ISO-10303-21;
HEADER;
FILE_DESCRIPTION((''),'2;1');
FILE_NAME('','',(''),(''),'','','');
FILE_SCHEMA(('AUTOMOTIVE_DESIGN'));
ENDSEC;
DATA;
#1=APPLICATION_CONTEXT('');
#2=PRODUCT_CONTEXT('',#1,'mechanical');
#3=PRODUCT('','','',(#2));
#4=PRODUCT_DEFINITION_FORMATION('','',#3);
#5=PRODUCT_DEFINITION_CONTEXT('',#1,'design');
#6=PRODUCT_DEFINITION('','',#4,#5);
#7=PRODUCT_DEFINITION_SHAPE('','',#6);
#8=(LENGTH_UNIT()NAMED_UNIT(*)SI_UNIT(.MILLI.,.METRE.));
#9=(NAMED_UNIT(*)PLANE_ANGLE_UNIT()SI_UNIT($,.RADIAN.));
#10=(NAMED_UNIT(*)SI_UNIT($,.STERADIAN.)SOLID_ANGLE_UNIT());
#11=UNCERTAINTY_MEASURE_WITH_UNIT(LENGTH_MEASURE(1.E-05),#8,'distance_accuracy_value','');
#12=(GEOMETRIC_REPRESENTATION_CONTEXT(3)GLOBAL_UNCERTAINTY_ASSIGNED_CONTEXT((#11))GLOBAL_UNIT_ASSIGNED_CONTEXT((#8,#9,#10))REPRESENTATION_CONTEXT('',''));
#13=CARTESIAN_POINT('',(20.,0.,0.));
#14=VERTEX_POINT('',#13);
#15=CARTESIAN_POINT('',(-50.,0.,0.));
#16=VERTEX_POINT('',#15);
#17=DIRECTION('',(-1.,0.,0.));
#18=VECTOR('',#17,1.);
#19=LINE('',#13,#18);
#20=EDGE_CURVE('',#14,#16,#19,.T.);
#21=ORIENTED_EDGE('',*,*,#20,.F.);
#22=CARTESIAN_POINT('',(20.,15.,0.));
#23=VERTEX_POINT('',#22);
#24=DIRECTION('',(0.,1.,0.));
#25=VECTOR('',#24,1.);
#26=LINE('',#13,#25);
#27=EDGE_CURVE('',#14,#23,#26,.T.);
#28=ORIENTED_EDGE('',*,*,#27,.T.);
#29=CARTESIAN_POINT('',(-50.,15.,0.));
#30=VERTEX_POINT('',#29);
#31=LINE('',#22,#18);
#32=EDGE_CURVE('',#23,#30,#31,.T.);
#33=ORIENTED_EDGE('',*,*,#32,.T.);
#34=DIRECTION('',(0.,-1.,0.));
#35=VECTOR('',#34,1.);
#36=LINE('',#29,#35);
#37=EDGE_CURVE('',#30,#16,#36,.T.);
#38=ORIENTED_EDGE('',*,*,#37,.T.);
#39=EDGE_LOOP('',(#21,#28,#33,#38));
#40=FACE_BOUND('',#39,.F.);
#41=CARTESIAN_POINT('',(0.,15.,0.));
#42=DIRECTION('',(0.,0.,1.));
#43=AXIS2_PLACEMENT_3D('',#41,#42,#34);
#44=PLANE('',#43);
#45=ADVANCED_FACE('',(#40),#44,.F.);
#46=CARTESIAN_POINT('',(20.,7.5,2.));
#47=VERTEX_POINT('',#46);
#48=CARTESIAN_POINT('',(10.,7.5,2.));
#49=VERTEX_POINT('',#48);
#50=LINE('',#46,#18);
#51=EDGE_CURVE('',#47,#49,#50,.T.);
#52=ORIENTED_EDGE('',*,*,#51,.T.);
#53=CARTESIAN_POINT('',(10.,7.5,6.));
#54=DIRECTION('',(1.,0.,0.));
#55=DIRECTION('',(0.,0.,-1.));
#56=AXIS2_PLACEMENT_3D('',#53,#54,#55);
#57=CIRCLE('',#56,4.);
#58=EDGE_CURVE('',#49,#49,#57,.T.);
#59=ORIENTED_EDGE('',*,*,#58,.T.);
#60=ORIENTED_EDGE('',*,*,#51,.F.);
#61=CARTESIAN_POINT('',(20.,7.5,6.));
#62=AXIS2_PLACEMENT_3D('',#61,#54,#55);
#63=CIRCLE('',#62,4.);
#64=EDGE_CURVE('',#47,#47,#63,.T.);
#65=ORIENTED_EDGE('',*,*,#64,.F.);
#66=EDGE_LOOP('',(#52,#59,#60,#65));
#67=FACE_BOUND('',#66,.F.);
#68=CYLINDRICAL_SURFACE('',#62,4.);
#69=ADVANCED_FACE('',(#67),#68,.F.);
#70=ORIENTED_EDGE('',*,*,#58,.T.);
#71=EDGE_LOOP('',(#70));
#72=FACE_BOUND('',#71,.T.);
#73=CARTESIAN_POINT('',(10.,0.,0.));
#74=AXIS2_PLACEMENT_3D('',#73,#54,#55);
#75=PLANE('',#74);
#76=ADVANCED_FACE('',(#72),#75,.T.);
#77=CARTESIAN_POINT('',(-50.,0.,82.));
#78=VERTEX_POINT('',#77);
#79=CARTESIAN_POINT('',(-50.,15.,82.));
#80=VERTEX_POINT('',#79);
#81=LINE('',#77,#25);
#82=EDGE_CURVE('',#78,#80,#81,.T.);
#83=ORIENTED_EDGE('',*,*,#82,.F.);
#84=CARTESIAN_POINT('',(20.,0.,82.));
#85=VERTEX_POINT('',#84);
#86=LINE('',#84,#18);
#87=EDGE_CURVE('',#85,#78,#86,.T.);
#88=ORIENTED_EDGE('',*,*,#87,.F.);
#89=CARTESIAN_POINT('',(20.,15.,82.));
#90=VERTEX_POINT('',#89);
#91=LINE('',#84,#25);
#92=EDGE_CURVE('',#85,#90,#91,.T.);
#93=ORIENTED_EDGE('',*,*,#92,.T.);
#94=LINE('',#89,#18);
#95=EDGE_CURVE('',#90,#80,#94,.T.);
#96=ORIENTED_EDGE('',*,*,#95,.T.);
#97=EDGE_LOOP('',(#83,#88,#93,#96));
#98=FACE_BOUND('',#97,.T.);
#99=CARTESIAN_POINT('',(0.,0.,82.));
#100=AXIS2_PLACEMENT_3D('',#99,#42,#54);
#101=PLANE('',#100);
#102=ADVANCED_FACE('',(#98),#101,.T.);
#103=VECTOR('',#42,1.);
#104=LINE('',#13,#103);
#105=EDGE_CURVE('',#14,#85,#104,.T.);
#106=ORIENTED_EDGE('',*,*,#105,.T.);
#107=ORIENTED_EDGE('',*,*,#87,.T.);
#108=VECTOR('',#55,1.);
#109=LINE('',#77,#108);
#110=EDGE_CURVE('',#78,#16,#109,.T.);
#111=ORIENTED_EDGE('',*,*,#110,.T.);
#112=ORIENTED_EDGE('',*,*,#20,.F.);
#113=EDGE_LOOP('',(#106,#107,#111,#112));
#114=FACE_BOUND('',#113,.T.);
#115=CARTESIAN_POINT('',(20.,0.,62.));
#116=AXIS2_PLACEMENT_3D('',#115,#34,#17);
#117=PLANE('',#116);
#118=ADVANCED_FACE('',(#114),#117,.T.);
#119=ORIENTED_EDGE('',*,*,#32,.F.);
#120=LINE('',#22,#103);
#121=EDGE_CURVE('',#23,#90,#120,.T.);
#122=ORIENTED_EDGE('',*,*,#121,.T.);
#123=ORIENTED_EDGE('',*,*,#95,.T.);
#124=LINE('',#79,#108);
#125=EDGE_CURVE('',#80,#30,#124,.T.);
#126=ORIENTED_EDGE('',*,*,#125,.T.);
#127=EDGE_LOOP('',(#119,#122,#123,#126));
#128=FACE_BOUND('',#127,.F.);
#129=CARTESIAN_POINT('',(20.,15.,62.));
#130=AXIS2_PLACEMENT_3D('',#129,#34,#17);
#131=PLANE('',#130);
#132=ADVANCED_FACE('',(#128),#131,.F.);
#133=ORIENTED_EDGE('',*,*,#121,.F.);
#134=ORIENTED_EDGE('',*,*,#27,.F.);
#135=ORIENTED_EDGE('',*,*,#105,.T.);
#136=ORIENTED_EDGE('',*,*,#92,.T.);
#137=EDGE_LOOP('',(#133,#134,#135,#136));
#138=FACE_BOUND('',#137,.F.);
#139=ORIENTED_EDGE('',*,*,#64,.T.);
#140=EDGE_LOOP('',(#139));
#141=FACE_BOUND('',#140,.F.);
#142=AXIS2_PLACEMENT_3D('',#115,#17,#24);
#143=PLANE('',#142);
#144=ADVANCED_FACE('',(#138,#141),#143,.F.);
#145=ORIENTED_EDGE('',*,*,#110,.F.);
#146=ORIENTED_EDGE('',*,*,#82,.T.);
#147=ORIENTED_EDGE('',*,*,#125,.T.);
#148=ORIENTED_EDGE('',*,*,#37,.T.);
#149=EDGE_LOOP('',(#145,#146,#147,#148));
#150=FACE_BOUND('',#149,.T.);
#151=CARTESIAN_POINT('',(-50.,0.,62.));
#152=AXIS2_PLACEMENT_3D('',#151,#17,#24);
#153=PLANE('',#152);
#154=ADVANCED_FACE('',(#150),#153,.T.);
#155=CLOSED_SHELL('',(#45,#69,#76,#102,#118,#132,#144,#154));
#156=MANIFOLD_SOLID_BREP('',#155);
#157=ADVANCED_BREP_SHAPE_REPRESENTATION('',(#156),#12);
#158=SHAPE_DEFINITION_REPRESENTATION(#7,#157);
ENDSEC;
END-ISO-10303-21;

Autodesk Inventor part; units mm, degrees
ref_plane "YZ Plane" through (0, 0, 0) normal (1, 0, 0) x (0, 1, 0)
ref_plane "XZ Plane" through (0, 0, 0) normal (0, 1, 0) x (-1, 0, 0)
ref_plane "XY Plane" through (0, 0, 0) normal (0, 0, 1) x (1, 0, 0)
sketch "Sketch1" plane through (0, 0, 0) normal (0, 0, 1) x (1, 0, 0)
  line L0 (0, 0) -> (20, 0)
  line L1 (20, 0) -> (20, 15)
  line L2 (20, 15) -> (0, 15)
  line L3 (0, 15) -> (0, 0)
  dimension "d0" = 20
  dimension "d1" = 15
extrude "Extrusion1" add sketch "Sketch1" along normal blind 12
sketch "Sketch2" plane through (20, 0, 0) normal (1, 0, 0) x (0, 0, -1)
  circle A0 centre (-6, 7.5) radius 4
  point P0 (0, 0)
  dimension "d4" = 8
extrude "Extrusion2" cut sketch "Sketch2" against normal blind 10
sketch "Sketch3" plane through (0, 0, 12) normal (0, 0, 1) x (1, 0, 0)
  line L0 (4.6713, 10.3664) -> (9.2786, 10.3664)
  line L1 (9.2786, 10.3664) -> (9.2786, 7.6788)
  line L2 (9.2786, 7.6788) -> (4.6713, 7.6788)
  line L3 (4.6713, 7.6788) -> (4.6713, 10.3664)
  point P0 (0, 0)
extrude "Extrusion3" add sketch "Sketch3" along normal blind 10
sketch "Sketch4" plane through (0, 0, 12) normal (0, 0, 1) x (1, 0, 0)
  line L0 (20, 0) -> (20, 15) projected
  line L1 (0, 15) -> (0, 0) projected
  line L2 (20, 15) -> (0, 15)
  line L3 (0, 15) -> (0, 0)
  line L4 (0, 0) -> (20, 0)
  line L5 (20, 0) -> (20, 15)
extrude "Extrusion4" add sketch "Sketch4" along normal blind 50
sketch "Sketch5" plane through (0, 0, 0) normal (-1, 0, 0) x (0, 0, 1)
  line L0 (0, 15) -> (62, 15) projected
  line L1 (0, 0) -> (62, 0)
  line L2 (62, 0) -> (62, 15)
  line L3 (62, 15) -> (0, 15)
  line L4 (0, 15) -> (0, 0)
extrude "Extrusion5" add sketch "Sketch5" along normal blind 50
sketch "Sketch6" plane through (0, 0, 62) normal (0, 0, 1) x (1, 0, 0)
  line L0 (20, 0) -> (20, 15) projected
  line L1 (20, 15) -> (-50, 15) projected
  line L2 (20, 0) -> (-50, 0)
  line L3 (-50, 0) -> (-50, 15)
  line L4 (-50, 15) -> (20, 15)
  line L5 (20, 15) -> (20, 0)
  point P0 (0, 0)
extrude "Extrusion6" add sketch "Sketch6" along normal blind 20
properties part number "closing"
